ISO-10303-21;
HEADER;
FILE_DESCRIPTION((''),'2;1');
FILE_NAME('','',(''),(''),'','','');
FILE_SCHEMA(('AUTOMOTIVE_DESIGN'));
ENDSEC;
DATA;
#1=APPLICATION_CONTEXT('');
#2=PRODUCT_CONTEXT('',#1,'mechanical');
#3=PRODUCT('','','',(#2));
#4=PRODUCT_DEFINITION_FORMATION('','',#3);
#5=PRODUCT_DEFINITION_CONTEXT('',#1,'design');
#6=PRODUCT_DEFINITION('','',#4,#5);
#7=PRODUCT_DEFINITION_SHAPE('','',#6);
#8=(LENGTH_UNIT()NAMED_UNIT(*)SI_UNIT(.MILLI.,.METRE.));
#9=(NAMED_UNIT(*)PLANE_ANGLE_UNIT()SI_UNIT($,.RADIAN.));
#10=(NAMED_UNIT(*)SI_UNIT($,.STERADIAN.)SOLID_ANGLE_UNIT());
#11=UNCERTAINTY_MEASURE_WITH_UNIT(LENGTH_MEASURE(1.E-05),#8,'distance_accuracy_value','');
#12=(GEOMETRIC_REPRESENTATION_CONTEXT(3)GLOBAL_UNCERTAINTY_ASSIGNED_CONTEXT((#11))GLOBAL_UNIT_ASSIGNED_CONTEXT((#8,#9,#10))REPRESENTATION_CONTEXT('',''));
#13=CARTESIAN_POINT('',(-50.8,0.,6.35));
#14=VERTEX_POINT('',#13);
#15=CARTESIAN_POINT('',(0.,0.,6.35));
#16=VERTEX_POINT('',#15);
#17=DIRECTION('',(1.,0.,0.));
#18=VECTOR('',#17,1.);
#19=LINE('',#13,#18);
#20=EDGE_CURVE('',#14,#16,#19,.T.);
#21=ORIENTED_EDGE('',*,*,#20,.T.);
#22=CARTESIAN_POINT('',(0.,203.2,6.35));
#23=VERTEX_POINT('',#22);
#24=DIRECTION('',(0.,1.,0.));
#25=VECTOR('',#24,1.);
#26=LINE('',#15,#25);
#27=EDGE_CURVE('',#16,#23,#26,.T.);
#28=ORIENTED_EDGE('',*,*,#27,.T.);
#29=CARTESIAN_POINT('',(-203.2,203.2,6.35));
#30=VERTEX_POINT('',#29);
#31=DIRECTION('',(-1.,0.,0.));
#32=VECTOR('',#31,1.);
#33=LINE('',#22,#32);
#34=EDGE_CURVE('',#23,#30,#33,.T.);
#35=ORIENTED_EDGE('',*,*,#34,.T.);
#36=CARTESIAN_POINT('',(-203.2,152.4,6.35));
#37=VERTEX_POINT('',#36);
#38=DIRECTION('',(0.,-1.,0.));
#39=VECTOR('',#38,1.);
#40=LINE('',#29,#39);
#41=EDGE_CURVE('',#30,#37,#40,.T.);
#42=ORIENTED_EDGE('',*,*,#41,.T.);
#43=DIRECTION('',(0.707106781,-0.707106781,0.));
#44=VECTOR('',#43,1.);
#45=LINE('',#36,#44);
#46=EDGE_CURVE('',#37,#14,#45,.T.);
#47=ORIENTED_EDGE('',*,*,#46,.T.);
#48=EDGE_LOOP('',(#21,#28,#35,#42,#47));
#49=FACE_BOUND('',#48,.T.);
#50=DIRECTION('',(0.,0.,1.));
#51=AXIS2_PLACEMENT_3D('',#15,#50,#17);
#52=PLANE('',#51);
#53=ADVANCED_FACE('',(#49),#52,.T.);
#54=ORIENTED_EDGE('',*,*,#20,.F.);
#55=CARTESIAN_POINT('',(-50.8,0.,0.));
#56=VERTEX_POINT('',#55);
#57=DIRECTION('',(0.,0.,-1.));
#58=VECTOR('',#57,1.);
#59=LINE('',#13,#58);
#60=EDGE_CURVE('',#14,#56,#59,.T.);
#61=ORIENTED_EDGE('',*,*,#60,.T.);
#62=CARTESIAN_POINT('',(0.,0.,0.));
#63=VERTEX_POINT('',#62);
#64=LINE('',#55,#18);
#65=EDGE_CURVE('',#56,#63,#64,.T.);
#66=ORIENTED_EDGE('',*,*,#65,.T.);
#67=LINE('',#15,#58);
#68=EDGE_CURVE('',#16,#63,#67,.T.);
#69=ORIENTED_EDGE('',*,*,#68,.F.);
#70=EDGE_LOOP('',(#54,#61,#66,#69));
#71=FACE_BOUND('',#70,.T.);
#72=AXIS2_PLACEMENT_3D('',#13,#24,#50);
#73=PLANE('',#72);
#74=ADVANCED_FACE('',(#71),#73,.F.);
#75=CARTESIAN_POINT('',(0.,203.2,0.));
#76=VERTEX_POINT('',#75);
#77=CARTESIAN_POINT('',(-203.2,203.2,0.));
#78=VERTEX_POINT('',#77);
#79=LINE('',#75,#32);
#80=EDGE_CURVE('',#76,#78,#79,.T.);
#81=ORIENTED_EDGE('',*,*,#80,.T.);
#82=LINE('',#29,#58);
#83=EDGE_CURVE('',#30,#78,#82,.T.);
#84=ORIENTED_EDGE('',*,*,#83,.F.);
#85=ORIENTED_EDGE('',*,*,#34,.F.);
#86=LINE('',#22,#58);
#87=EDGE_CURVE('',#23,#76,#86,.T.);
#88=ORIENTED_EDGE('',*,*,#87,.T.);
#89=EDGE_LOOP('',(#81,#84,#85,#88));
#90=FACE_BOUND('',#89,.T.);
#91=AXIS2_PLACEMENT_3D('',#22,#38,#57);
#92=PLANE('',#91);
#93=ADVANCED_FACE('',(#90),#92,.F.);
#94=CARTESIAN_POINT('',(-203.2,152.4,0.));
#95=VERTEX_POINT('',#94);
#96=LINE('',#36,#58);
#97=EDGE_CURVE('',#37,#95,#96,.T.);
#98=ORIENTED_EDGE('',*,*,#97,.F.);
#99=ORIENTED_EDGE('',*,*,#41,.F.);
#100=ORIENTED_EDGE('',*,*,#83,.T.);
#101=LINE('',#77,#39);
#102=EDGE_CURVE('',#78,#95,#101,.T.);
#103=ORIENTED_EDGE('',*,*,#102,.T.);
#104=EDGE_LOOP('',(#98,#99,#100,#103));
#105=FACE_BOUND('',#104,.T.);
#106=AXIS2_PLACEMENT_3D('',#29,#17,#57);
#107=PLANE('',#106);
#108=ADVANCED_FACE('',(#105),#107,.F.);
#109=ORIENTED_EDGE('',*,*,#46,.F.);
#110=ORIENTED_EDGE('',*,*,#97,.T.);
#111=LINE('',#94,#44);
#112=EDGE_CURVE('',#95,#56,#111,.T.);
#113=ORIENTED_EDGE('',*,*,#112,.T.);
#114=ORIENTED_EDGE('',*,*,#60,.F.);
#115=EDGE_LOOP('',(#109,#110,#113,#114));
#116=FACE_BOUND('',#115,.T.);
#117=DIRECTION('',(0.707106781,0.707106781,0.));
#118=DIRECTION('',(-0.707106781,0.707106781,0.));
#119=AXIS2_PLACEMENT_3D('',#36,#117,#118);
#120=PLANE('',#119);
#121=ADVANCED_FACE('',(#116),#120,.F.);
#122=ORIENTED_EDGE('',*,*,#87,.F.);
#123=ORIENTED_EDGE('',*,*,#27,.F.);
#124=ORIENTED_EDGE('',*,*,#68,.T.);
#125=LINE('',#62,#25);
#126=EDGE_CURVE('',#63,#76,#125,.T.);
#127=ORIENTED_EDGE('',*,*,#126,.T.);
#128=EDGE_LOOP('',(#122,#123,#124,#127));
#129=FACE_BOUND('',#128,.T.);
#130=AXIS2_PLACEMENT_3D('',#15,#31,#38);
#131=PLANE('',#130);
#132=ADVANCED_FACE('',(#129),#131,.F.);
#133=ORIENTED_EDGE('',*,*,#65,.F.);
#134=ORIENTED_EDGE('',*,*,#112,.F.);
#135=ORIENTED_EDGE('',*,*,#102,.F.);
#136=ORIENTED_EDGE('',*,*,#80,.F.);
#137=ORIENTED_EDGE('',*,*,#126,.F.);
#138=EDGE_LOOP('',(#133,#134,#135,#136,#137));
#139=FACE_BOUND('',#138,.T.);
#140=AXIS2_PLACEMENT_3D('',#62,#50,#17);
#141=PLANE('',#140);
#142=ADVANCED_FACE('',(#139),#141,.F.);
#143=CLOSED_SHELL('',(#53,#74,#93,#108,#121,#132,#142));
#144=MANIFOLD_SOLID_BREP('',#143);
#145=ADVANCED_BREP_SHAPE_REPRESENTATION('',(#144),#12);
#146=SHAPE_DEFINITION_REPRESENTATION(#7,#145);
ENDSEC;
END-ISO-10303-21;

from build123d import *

# Parameters (mm, degrees)
BOSS_EXTRUDE1_DEPTH = 6.35


with BuildPart() as part:
    # Sketch1 → Boss-Extrude1 (new body)
    with BuildSketch(Plane.XY):
        Polygon((0, 0), (0, 203.2), (-203.2, 203.2), (-203.2, 152.4), (-50.8, 0), align=None)
    extrude(amount=BOSS_EXTRUDE1_DEPTH)


solid = part.part
